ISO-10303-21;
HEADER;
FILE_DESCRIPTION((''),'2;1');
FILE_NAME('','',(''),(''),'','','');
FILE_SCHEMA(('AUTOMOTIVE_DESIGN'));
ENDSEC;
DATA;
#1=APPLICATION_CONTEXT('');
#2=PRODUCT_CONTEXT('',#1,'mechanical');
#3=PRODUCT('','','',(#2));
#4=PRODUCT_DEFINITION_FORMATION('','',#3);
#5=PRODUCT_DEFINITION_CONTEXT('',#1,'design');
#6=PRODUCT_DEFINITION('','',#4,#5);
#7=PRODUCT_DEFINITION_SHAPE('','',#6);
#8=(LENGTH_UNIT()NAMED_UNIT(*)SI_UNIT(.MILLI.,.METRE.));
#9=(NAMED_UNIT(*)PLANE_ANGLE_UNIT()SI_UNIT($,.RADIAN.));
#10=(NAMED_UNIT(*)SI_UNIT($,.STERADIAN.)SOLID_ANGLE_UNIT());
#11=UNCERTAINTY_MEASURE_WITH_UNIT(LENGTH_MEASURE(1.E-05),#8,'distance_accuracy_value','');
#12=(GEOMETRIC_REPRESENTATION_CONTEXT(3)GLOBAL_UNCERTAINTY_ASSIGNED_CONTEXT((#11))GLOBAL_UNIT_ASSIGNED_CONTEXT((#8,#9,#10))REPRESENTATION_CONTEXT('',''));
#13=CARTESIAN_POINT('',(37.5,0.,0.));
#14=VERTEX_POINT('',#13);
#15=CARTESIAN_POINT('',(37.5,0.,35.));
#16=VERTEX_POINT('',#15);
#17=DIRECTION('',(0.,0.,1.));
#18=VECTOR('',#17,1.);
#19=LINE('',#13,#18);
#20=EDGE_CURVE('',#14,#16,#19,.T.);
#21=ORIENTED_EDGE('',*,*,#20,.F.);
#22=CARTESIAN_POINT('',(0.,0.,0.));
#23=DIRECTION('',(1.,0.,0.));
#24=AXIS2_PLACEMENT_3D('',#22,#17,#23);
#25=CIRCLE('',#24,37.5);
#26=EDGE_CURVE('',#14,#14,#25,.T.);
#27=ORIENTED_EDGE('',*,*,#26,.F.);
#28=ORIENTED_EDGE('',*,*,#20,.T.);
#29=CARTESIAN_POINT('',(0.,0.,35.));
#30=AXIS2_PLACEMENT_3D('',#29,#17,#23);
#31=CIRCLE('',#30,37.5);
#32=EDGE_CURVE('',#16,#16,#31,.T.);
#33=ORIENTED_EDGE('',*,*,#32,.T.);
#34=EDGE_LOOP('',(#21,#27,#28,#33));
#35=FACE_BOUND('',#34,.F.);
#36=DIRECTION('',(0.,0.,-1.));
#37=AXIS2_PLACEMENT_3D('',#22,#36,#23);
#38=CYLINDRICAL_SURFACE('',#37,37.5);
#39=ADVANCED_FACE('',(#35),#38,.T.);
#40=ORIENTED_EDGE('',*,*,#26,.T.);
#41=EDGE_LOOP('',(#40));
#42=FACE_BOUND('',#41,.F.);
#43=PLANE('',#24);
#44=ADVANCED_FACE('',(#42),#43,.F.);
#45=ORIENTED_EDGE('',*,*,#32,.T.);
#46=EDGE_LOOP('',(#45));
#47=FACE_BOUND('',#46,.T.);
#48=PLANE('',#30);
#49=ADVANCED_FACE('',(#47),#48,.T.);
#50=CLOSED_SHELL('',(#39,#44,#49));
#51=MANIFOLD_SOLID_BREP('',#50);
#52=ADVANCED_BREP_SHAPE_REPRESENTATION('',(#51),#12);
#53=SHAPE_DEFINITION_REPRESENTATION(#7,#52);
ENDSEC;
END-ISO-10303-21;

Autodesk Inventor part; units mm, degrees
ref_plane "YZ Plane" through (0, 0, 0) normal (1, 0, 0) x (0, 1, 0)
ref_plane "XZ Plane" through (0, 0, 0) normal (0, 1, 0) x (-1, 0, 0)
ref_plane "XY Plane" through (0, 0, 0) normal (0, 0, 1) x (1, 0, 0)
sketch "Sketch1" plane through (0, 0, 0) normal (0, 0, 1) x (1, 0, 0)
  circle A0 centre (0, 0) radius 37.5
  dimension "d0" = 75
extrude "Extrusion1" add sketch "Sketch1" along normal blind 35
properties part number "Ejection Chamber" material "Ejection Chamber mat'l"
